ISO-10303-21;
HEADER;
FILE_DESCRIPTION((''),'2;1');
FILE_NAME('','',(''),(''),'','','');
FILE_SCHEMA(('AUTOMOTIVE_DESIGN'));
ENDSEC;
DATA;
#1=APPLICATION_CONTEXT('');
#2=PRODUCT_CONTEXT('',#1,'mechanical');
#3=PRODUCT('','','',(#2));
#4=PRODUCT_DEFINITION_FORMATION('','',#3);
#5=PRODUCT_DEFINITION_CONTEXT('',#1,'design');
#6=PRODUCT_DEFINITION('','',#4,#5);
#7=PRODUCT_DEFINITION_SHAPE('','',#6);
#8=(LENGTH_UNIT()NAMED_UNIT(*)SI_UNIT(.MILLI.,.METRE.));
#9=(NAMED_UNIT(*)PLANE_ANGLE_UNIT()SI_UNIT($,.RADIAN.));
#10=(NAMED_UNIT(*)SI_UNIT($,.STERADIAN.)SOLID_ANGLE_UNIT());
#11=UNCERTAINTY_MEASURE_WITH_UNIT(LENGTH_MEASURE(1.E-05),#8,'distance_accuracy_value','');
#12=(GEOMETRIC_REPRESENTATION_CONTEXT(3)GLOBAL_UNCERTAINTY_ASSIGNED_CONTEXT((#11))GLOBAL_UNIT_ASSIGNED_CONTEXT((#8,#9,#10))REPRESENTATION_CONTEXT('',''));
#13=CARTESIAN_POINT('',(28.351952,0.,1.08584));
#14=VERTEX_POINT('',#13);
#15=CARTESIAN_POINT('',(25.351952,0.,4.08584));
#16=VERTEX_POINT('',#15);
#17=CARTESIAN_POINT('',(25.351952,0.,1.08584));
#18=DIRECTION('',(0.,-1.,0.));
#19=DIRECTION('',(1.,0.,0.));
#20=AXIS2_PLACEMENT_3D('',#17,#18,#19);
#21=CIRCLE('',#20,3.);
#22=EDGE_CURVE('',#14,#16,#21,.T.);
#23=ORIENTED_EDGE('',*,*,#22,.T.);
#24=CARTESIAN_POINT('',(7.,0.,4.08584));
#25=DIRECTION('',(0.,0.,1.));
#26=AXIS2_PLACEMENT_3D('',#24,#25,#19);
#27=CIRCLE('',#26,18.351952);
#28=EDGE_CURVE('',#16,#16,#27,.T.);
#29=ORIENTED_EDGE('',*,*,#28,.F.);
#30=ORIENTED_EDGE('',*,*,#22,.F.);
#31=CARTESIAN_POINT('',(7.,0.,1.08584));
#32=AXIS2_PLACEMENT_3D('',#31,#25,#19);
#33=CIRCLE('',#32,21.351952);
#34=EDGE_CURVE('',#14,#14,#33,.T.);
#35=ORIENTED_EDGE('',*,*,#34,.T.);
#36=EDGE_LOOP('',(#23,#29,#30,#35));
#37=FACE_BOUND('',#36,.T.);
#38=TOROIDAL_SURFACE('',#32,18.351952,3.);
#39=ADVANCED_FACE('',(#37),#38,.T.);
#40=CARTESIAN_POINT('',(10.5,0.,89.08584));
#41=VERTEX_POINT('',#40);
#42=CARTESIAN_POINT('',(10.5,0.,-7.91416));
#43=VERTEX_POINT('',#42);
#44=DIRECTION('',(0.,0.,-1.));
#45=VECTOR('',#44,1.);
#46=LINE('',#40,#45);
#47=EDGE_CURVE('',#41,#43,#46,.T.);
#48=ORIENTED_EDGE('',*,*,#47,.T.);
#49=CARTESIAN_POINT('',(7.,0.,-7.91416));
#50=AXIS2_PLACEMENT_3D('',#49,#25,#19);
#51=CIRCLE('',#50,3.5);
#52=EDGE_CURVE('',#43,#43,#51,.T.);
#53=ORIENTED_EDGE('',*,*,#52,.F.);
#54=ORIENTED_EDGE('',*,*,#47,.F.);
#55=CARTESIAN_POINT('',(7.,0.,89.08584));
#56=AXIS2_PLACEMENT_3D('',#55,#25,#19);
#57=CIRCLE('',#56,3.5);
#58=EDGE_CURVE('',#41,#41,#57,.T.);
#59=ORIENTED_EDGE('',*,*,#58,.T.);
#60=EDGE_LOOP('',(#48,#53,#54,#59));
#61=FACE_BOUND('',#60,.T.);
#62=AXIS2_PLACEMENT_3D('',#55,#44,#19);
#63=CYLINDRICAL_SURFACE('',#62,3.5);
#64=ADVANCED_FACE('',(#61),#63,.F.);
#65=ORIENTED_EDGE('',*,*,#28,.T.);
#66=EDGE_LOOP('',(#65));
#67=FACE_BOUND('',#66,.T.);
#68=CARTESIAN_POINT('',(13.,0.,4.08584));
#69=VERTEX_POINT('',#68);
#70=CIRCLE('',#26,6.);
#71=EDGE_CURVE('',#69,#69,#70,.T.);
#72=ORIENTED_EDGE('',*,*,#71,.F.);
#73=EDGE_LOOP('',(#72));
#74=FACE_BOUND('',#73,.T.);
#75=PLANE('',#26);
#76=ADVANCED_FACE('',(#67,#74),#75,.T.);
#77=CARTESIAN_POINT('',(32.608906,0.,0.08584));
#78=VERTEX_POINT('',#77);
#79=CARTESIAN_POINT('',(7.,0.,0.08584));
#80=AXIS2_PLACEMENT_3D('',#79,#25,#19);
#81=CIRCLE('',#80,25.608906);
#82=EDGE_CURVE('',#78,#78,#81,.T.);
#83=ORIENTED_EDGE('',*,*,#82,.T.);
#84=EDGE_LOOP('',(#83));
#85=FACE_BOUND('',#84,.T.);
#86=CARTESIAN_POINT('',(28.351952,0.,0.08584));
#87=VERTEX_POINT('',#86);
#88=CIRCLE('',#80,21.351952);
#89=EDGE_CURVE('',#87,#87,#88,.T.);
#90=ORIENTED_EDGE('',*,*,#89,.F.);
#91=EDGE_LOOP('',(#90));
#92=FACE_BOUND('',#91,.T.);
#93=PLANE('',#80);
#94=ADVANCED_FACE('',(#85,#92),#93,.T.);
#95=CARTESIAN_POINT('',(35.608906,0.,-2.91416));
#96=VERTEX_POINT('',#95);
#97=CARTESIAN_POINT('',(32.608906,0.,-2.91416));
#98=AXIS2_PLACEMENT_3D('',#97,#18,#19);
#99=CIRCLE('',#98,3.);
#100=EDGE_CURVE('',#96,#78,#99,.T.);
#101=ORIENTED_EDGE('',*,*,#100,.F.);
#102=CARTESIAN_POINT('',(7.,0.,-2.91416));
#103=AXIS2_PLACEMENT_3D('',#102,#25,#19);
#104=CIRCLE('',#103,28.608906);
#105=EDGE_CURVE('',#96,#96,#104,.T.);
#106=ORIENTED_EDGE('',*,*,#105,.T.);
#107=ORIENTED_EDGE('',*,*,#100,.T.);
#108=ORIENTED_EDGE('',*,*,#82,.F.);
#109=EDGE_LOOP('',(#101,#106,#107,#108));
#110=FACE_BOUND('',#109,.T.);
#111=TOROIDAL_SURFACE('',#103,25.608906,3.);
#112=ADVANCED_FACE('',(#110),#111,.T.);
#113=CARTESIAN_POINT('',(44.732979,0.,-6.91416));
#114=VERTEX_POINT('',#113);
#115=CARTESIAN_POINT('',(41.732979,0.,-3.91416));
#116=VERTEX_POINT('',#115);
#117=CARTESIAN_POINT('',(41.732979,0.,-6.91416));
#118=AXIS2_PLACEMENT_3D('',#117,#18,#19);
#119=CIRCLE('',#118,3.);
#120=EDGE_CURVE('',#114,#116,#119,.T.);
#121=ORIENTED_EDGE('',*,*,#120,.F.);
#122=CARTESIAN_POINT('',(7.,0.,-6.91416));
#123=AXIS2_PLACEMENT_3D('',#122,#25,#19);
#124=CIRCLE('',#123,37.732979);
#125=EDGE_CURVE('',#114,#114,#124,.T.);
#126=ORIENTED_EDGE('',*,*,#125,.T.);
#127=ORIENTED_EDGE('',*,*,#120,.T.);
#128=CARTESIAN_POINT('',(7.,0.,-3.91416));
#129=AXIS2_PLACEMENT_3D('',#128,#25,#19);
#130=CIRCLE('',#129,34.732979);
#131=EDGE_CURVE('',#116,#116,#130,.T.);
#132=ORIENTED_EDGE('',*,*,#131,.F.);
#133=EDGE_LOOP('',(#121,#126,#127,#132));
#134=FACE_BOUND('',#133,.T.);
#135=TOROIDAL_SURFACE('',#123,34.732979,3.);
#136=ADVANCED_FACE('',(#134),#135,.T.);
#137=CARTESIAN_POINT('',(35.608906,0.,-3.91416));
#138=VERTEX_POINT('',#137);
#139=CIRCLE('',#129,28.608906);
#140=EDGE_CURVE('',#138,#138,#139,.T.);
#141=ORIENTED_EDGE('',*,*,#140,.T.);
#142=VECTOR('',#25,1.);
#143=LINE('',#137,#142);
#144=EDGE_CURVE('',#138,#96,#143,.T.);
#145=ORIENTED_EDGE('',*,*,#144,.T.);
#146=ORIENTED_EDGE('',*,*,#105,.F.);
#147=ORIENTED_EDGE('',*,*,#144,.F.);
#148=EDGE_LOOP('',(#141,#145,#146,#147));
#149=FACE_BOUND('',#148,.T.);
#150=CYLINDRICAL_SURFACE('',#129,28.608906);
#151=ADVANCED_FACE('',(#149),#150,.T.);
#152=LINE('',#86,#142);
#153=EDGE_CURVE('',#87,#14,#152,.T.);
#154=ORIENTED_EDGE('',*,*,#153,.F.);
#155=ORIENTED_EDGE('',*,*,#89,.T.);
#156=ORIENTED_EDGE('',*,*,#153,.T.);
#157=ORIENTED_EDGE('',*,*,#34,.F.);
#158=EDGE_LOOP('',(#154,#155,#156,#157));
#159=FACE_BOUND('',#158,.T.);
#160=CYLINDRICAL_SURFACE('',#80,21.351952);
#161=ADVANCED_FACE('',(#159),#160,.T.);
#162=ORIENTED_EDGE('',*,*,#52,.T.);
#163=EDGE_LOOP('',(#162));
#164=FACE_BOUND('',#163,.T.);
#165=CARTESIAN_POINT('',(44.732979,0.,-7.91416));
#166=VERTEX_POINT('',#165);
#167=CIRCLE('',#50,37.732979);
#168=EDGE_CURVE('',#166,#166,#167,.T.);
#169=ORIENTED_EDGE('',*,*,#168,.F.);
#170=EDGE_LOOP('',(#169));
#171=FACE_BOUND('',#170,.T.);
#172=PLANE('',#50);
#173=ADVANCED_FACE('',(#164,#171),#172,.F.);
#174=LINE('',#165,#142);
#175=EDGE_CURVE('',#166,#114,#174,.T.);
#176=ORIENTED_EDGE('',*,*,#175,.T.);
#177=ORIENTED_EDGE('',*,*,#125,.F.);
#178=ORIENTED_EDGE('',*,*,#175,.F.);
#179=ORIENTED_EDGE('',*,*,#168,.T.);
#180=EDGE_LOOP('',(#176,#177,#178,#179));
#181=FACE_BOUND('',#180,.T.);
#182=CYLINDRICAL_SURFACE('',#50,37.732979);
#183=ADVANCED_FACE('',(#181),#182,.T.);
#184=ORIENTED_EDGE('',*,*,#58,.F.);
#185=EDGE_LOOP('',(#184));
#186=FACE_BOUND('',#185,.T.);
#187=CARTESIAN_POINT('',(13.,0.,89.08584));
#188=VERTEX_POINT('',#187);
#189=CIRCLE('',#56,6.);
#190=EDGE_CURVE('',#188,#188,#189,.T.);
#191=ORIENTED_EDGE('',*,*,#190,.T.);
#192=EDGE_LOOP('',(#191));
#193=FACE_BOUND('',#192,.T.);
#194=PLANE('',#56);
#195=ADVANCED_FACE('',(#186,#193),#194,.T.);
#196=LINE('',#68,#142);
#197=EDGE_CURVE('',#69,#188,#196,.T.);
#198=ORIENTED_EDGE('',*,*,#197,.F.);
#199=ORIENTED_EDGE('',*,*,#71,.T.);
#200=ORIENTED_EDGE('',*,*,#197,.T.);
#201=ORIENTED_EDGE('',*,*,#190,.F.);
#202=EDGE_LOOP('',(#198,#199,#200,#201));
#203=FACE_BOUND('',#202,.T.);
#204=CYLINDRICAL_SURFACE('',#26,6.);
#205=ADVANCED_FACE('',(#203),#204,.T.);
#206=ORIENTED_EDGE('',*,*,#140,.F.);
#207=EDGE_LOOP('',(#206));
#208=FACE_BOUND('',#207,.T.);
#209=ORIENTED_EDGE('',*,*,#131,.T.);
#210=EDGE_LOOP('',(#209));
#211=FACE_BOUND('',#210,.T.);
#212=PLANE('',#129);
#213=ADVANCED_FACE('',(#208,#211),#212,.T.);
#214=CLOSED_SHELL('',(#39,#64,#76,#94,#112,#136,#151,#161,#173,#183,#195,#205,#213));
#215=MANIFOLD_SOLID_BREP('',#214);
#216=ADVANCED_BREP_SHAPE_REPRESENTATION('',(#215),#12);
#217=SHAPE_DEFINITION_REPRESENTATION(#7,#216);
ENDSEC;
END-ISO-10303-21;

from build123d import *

# Parameters (mm, degrees)
FILLET_R = 3


with BuildPart() as part:
    # Sketch → Revolution (revolve)
    with BuildSketch(Plane(origin=(7, 0, 0), x_dir=(1, 0, 0), z_dir=(0, -1, 0))):
        Polygon((37.732979, -7.91416), (37.732979, -3.91416), (28.608906, -3.91416), (28.608906, 0.08584), (21.351952, 0.08584), (21.351952, 4.08584), (6, 4.08584), (6, 89.08584), (3.5, 89.08584), (3.5, -7.91416), align=None)
    revolve(axis=Axis((7, 0, 0), (0, 0, 1)))

    # Fillet
    fillet_edges = [part.edges().sort_by_distance(p)[0] for p in [
        (-14.351952, 0, 4.08584),
        (-21.608906, 0, 0.08584),
        (-30.732979, 0, -3.91416),
    ]]
    fillet(fillet_edges, radius=FILLET_R)


solid = part.part
